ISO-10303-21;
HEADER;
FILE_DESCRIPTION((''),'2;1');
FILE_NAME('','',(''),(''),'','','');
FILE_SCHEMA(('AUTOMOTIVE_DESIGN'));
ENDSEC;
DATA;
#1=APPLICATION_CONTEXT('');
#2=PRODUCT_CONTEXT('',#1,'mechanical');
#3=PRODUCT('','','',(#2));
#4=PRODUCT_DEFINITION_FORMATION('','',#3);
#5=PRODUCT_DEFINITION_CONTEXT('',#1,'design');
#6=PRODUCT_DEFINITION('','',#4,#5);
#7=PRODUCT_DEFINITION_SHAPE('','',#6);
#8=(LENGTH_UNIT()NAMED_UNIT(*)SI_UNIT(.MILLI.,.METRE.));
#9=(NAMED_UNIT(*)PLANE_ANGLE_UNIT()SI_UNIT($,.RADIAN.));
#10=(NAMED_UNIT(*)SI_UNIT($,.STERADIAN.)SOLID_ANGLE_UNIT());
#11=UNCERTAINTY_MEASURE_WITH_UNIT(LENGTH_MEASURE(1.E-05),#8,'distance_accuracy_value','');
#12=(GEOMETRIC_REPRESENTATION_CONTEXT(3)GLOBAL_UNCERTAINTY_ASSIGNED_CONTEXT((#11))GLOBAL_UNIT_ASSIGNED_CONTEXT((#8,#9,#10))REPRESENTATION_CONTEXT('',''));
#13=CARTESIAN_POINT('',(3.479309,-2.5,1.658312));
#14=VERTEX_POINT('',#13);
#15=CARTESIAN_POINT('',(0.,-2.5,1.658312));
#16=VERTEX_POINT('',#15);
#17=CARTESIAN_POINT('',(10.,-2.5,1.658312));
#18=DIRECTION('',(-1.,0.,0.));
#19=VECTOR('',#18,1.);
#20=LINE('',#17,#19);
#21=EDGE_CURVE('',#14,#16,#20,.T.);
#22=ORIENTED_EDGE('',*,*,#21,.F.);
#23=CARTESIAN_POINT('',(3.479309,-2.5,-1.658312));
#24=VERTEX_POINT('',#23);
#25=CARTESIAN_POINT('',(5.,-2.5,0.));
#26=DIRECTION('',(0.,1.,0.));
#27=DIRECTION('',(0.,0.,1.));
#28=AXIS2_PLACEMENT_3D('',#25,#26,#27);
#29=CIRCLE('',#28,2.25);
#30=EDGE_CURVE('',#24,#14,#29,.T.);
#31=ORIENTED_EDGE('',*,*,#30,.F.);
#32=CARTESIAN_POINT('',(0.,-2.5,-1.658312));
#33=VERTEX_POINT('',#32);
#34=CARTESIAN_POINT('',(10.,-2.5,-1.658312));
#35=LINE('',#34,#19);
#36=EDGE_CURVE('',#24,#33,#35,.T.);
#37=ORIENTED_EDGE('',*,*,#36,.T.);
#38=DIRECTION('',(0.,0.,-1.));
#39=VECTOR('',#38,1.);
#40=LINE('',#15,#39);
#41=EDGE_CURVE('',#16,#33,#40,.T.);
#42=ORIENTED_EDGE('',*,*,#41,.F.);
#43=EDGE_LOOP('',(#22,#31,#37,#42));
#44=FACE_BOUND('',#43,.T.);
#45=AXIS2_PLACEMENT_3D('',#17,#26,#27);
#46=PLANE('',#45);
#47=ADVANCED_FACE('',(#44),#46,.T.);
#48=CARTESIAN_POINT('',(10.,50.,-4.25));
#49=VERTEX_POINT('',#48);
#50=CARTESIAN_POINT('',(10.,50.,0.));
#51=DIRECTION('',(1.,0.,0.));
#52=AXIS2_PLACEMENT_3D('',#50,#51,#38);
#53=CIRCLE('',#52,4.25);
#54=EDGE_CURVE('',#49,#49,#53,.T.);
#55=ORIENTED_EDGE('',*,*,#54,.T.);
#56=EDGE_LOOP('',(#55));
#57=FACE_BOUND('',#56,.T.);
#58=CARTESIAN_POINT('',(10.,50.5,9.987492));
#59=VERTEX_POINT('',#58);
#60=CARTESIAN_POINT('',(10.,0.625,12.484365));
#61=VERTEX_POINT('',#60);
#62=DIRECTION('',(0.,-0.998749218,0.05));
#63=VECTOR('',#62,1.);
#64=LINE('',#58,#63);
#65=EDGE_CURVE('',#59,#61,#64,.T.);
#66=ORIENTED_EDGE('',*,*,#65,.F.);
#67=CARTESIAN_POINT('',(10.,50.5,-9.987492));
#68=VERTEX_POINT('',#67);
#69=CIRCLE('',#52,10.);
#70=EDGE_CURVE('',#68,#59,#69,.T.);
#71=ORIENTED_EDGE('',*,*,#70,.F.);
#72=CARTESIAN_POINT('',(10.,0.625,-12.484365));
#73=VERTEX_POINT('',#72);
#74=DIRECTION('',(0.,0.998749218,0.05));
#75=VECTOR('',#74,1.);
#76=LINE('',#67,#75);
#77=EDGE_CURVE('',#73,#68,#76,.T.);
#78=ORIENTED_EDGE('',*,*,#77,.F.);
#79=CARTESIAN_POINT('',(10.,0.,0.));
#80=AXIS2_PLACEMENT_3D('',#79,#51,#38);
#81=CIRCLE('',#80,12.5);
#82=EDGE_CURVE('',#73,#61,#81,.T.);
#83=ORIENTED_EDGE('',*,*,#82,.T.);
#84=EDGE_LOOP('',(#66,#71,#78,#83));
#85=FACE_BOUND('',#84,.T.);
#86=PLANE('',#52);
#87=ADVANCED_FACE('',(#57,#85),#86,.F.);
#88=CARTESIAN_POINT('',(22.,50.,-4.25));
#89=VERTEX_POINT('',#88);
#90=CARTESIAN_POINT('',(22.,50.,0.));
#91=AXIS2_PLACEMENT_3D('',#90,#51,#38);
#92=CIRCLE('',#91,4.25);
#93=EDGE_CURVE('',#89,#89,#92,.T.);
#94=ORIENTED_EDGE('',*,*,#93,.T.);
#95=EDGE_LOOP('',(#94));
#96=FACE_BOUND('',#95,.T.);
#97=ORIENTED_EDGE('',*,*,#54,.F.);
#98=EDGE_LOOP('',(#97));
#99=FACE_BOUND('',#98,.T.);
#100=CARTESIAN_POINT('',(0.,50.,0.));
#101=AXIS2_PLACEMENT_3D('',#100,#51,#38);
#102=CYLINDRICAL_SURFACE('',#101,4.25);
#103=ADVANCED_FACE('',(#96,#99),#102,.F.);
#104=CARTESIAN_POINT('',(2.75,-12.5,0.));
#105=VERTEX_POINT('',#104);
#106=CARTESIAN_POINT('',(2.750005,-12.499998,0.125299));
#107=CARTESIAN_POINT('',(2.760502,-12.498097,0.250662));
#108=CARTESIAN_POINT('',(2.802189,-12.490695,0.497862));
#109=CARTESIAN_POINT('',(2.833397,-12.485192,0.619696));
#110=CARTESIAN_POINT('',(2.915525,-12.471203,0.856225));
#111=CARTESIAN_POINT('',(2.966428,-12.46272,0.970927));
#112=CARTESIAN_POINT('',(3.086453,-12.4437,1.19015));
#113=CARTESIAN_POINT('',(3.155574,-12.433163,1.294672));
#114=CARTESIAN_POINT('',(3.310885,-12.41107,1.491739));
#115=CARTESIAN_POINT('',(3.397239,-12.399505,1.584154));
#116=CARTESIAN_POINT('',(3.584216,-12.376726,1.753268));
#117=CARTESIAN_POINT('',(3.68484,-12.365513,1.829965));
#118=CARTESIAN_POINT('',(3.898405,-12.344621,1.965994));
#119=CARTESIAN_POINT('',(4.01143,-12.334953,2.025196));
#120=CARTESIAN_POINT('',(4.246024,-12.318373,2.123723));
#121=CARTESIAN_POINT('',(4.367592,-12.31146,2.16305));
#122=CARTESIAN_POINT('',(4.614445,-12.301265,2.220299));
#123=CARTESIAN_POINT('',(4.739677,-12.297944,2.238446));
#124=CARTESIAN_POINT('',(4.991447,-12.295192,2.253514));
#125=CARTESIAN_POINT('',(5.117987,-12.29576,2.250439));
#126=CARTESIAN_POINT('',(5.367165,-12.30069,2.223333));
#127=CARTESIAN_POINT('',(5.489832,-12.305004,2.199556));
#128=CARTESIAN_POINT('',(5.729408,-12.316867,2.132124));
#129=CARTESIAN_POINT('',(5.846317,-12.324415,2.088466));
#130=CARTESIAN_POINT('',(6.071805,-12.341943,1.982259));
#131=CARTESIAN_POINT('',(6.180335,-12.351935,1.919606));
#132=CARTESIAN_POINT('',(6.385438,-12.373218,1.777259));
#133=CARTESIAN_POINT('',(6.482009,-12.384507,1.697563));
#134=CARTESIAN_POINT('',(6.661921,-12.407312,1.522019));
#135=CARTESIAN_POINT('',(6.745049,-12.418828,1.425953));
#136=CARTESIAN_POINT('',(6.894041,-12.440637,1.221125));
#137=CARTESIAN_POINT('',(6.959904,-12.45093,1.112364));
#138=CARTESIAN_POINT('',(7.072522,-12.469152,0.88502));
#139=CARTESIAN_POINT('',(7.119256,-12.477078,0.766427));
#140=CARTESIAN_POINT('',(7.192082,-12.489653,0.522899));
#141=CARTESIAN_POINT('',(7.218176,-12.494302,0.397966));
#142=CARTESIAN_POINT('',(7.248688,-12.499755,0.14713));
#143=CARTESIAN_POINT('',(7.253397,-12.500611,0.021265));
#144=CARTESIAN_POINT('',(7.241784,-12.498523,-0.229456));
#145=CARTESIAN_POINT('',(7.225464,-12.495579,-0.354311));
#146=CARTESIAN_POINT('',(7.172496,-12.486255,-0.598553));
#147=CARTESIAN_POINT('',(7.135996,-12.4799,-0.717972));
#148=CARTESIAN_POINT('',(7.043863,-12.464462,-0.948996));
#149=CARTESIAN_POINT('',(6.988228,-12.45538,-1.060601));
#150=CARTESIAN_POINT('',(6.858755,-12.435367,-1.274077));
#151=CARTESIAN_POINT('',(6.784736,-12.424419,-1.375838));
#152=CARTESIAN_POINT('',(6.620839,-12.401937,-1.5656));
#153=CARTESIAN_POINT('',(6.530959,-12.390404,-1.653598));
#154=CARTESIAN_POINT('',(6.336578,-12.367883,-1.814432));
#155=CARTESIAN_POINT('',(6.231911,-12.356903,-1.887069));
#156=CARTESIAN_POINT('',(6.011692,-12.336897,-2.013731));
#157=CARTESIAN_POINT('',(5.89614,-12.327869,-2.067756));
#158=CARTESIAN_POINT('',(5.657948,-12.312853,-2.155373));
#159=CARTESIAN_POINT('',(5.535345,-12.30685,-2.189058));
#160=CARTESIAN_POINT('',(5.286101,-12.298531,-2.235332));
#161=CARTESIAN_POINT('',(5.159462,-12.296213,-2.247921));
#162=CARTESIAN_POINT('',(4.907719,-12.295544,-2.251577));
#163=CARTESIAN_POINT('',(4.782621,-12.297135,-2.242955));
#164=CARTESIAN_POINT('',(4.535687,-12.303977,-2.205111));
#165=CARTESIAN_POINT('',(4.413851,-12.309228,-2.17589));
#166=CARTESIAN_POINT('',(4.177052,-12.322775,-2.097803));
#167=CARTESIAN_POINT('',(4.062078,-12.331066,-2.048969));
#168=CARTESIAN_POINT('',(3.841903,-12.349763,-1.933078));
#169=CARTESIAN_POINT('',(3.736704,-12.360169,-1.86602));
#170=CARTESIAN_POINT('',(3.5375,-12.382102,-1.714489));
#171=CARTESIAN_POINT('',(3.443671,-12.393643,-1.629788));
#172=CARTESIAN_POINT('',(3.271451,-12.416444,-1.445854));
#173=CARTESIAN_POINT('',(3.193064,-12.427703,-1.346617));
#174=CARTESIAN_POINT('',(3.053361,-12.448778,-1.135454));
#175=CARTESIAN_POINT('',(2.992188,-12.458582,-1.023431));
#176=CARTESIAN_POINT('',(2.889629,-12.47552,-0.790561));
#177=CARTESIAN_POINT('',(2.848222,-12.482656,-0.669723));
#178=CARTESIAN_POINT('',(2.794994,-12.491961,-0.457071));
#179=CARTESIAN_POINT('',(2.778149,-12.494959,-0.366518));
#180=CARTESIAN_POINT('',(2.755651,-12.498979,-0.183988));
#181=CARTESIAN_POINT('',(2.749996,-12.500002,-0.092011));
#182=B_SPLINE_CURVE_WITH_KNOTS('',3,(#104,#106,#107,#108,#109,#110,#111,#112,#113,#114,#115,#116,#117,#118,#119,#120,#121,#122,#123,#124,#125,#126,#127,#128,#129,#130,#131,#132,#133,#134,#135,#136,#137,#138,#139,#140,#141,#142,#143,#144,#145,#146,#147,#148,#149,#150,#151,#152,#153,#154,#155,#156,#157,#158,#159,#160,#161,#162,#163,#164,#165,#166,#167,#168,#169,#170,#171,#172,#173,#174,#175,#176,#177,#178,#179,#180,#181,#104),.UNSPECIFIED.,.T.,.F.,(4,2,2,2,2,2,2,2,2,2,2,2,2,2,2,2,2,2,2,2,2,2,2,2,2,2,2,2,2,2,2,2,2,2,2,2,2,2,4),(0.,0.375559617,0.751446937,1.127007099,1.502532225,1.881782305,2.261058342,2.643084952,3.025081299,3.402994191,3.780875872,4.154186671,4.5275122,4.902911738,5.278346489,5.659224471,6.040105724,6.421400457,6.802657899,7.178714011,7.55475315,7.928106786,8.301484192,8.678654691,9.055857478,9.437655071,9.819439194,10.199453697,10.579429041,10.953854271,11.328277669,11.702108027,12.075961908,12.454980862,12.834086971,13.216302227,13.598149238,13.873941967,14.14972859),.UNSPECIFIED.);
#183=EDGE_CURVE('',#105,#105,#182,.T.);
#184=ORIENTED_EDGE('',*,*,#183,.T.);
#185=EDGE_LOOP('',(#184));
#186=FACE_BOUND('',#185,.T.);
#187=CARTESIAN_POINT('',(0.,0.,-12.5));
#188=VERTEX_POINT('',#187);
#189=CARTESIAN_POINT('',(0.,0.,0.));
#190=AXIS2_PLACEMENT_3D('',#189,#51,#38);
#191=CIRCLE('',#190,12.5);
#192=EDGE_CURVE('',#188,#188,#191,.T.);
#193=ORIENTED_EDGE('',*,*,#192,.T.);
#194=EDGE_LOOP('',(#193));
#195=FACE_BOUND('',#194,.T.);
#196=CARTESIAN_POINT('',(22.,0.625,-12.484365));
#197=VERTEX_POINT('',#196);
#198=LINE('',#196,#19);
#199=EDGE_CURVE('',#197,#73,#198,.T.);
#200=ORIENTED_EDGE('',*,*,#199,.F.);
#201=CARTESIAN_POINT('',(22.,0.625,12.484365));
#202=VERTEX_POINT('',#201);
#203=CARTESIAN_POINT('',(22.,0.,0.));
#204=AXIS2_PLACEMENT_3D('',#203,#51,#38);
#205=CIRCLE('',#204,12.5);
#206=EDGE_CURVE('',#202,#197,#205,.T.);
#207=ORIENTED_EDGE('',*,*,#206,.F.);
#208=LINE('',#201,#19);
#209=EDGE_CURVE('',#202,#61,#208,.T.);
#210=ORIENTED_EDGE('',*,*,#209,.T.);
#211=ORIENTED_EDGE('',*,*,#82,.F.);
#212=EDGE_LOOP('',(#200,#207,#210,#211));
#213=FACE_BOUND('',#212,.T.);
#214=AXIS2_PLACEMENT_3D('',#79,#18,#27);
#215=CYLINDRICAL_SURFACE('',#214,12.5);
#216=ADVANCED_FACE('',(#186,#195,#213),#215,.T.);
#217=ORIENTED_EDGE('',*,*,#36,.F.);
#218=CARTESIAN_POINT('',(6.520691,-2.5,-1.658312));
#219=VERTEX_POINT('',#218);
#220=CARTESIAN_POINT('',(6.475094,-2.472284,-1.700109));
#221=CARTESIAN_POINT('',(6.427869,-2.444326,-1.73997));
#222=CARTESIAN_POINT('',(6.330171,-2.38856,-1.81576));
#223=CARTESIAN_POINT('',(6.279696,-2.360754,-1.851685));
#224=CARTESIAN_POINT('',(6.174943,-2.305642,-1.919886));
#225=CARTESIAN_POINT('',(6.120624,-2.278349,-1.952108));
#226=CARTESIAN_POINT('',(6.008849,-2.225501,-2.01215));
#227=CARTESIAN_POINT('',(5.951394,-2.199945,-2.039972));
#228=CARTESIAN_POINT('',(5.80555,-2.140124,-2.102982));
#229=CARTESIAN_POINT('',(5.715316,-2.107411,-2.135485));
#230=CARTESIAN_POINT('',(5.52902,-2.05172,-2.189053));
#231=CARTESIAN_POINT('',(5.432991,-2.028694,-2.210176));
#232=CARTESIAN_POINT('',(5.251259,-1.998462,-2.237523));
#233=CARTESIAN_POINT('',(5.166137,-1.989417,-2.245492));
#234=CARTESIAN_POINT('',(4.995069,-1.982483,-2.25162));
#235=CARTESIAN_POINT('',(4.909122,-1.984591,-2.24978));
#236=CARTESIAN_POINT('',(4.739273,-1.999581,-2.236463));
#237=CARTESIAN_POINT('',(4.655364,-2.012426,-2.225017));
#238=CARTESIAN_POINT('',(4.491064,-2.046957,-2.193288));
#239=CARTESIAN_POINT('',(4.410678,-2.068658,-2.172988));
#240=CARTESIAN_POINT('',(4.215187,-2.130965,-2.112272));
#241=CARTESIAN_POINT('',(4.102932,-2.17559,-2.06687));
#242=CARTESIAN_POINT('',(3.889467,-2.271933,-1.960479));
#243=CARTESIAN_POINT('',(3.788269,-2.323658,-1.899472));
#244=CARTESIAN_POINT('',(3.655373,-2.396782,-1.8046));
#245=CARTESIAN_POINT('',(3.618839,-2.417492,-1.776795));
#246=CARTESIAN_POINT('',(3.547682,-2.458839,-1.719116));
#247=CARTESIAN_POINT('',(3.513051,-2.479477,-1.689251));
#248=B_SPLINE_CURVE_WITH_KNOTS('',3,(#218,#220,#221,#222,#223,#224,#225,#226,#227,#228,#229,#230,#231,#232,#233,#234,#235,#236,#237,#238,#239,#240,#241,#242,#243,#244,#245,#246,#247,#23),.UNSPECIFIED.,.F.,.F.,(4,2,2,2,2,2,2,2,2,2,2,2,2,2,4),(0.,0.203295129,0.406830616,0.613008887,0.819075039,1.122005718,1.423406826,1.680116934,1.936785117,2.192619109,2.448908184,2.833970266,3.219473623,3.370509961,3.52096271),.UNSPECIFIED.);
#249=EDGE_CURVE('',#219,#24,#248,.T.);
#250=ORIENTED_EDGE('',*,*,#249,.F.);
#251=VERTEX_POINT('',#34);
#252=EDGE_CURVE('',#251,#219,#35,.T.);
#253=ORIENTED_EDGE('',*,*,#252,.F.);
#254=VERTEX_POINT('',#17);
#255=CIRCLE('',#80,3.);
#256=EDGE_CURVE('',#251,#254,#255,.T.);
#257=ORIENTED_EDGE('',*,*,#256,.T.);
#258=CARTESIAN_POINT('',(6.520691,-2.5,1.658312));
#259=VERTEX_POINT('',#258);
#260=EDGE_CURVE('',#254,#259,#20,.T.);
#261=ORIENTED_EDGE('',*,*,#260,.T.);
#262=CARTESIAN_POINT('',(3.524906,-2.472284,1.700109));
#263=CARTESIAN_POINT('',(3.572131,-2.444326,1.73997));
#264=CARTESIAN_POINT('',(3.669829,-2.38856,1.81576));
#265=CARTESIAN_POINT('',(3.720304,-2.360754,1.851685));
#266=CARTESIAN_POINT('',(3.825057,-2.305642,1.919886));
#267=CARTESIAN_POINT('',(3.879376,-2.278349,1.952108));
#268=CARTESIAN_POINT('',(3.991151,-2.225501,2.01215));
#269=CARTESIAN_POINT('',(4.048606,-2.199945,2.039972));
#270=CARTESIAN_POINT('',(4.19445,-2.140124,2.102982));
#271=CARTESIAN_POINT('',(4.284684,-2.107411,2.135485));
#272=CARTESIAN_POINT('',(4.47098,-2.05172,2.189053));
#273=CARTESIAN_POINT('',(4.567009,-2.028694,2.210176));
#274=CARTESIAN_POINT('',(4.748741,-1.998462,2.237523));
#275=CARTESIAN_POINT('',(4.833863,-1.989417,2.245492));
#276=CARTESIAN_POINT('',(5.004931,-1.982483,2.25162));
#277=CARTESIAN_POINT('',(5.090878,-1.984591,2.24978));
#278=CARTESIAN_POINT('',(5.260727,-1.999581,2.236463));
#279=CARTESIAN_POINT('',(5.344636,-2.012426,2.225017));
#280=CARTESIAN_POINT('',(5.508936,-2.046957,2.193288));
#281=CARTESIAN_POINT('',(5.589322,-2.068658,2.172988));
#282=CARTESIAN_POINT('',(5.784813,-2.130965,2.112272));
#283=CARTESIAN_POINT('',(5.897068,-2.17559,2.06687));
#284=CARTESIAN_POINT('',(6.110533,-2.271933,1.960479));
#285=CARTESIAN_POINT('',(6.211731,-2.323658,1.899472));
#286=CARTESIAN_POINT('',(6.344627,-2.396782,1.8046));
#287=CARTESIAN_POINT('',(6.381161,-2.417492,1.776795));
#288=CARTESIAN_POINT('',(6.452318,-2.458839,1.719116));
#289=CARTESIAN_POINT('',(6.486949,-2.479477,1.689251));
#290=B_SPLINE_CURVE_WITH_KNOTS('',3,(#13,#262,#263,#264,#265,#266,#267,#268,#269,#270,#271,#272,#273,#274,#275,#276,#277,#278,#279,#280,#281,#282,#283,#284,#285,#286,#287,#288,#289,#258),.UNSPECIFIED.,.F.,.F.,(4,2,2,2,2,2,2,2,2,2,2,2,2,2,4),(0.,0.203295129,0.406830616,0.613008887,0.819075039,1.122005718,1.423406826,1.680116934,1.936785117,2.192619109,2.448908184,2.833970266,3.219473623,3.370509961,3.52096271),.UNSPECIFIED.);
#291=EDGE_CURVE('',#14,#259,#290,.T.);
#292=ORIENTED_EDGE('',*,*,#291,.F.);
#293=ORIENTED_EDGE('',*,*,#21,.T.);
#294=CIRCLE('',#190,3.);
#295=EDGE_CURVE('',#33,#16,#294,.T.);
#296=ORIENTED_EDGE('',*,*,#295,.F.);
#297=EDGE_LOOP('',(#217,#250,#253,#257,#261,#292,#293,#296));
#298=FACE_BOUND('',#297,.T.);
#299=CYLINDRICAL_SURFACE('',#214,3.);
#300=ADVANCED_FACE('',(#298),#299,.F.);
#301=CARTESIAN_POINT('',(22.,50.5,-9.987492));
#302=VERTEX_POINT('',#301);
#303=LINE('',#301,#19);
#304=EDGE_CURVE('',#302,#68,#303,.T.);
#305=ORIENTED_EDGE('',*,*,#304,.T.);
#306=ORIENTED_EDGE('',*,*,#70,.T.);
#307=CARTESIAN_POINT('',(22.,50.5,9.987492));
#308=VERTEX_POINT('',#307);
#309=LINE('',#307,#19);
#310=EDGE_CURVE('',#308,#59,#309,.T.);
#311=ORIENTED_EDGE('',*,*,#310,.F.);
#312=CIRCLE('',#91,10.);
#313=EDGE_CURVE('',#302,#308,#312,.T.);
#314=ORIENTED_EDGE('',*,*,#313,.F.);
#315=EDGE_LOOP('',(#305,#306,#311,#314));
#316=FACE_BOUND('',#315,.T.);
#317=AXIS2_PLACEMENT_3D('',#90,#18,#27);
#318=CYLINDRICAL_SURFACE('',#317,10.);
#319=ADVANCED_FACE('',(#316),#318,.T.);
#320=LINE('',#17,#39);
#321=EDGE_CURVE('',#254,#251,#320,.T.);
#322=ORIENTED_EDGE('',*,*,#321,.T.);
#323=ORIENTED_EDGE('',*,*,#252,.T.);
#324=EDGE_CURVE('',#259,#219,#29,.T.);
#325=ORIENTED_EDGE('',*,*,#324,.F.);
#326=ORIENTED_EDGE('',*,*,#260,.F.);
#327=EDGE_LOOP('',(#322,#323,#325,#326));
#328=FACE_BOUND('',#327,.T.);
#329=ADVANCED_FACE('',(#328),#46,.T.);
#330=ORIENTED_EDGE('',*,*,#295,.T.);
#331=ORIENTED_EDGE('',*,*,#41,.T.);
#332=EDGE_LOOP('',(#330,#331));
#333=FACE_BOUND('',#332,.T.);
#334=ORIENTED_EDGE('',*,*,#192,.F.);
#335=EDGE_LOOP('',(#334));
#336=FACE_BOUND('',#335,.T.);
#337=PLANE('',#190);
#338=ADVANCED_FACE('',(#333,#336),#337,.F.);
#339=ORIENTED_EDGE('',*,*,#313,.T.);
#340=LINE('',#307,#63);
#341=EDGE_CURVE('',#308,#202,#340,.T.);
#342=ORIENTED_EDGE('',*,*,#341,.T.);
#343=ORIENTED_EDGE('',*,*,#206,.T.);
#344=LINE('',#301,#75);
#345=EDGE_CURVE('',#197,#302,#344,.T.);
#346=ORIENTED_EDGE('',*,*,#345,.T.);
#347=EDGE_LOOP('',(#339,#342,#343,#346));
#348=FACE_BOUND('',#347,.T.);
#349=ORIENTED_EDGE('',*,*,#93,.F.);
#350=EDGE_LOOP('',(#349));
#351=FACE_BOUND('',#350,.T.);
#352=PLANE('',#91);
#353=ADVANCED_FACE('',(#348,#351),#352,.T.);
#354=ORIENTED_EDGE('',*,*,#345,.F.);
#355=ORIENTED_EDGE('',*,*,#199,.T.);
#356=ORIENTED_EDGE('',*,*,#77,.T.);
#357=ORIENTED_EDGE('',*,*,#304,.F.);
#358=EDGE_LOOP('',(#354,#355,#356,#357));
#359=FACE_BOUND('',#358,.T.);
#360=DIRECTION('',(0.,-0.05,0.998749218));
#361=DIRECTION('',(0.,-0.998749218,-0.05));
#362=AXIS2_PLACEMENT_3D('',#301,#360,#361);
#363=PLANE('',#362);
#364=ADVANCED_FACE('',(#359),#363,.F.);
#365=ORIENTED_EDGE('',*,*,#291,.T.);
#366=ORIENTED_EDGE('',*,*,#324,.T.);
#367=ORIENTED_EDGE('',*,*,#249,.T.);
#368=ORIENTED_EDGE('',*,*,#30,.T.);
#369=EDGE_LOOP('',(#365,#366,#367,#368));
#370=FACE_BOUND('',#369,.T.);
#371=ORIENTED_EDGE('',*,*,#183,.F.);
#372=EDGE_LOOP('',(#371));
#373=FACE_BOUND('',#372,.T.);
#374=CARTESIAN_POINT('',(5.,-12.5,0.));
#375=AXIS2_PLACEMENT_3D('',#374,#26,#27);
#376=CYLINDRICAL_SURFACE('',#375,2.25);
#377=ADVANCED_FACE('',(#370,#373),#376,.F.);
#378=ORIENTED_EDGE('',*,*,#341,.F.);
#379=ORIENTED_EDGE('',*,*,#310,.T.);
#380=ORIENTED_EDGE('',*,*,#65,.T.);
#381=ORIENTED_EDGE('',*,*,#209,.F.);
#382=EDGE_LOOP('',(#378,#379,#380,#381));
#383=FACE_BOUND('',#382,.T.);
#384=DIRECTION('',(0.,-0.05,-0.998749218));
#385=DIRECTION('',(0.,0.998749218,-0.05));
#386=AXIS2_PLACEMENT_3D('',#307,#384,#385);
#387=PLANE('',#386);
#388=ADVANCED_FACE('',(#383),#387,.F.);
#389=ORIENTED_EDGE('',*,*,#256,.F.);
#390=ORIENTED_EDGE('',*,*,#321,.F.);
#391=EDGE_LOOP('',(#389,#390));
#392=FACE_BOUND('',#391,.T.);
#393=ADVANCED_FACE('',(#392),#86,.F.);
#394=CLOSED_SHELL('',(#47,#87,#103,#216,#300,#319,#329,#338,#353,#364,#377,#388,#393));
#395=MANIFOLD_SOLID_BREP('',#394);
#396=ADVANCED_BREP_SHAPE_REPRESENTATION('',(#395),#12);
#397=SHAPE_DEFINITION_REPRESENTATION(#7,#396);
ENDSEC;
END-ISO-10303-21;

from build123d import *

# Parameters (mm, degrees)
CROQUIS1_R              = 12.5
SALIENTE_EXTRUIR1_DEPTH = 10
SALIENTE_EXTRUIR2_DEPTH = 12
CROQUIS3_R              = 2.25
CORTAR_EXTRUIR1_DEPTH   = 66.117202028
CROQUIS4_R              = 4.25
CORTAR_EXTRUIR2_DEPTH   = 66.117202081


with BuildPart() as part:
    # Croquis1 → Saliente-Extruir1 (new body)
    with BuildSketch(Plane(origin=(0, 0, 0), x_dir=(0, 0, -1), z_dir=(1, 0, 0))):
        Circle(CROQUIS1_R)
        with BuildLine():
            Line((-1.658312395, -2.5), (1.658312395, -2.5))
            ThreePointArc((1.658312395, -2.5), (0, 3), (-1.658312395, -2.5))
        make_face(mode=Mode.SUBTRACT)
    extrude(amount=SALIENTE_EXTRUIR1_DEPTH)

    # Croquis2 → Saliente-Extruir2 (add)
    with BuildSketch(Plane(origin=(10, 0, 0), x_dir=(0, 0, -1), z_dir=(1, 0, 0))):
        with BuildLine():
            Line((-9.987492178, 50.5), (-12.484365222, 0.625))
            ThreePointArc((-12.484365222, 0.625), (0, -12.5), (12.484365222, 0.625))
            Line((12.484365222, 0.625), (9.987492178, 50.5))
            ThreePointArc((9.987492178, 50.5), (0, 60), (-9.987492178, 50.5))
        make_face()
    extrude(amount=SALIENTE_EXTRUIR2_DEPTH)

    # Croquis3 → Cortar-Extruir1 (cut, through all)
    with BuildSketch(Plane(origin=(0, 0, 0), x_dir=(1, 0, 0), z_dir=(0, 1, 0))):
        with Locations(Location((5, 0, 0), (0, 0, 227.478835592))):
            Circle(CROQUIS3_R)
    extrude(amount=-CORTAR_EXTRUIR1_DEPTH, mode=Mode.SUBTRACT)

    # Croquis4 → Cortar-Extruir2 (cut, through all)
    with BuildSketch(Plane(origin=(22, 0, 0), x_dir=(0, 0, -1), z_dir=(1, 0, 0))):
        with Locations((0, 50)):
            Circle(CROQUIS4_R)
    extrude(amount=-CORTAR_EXTRUIR2_DEPTH, mode=Mode.SUBTRACT)


solid = part.part
